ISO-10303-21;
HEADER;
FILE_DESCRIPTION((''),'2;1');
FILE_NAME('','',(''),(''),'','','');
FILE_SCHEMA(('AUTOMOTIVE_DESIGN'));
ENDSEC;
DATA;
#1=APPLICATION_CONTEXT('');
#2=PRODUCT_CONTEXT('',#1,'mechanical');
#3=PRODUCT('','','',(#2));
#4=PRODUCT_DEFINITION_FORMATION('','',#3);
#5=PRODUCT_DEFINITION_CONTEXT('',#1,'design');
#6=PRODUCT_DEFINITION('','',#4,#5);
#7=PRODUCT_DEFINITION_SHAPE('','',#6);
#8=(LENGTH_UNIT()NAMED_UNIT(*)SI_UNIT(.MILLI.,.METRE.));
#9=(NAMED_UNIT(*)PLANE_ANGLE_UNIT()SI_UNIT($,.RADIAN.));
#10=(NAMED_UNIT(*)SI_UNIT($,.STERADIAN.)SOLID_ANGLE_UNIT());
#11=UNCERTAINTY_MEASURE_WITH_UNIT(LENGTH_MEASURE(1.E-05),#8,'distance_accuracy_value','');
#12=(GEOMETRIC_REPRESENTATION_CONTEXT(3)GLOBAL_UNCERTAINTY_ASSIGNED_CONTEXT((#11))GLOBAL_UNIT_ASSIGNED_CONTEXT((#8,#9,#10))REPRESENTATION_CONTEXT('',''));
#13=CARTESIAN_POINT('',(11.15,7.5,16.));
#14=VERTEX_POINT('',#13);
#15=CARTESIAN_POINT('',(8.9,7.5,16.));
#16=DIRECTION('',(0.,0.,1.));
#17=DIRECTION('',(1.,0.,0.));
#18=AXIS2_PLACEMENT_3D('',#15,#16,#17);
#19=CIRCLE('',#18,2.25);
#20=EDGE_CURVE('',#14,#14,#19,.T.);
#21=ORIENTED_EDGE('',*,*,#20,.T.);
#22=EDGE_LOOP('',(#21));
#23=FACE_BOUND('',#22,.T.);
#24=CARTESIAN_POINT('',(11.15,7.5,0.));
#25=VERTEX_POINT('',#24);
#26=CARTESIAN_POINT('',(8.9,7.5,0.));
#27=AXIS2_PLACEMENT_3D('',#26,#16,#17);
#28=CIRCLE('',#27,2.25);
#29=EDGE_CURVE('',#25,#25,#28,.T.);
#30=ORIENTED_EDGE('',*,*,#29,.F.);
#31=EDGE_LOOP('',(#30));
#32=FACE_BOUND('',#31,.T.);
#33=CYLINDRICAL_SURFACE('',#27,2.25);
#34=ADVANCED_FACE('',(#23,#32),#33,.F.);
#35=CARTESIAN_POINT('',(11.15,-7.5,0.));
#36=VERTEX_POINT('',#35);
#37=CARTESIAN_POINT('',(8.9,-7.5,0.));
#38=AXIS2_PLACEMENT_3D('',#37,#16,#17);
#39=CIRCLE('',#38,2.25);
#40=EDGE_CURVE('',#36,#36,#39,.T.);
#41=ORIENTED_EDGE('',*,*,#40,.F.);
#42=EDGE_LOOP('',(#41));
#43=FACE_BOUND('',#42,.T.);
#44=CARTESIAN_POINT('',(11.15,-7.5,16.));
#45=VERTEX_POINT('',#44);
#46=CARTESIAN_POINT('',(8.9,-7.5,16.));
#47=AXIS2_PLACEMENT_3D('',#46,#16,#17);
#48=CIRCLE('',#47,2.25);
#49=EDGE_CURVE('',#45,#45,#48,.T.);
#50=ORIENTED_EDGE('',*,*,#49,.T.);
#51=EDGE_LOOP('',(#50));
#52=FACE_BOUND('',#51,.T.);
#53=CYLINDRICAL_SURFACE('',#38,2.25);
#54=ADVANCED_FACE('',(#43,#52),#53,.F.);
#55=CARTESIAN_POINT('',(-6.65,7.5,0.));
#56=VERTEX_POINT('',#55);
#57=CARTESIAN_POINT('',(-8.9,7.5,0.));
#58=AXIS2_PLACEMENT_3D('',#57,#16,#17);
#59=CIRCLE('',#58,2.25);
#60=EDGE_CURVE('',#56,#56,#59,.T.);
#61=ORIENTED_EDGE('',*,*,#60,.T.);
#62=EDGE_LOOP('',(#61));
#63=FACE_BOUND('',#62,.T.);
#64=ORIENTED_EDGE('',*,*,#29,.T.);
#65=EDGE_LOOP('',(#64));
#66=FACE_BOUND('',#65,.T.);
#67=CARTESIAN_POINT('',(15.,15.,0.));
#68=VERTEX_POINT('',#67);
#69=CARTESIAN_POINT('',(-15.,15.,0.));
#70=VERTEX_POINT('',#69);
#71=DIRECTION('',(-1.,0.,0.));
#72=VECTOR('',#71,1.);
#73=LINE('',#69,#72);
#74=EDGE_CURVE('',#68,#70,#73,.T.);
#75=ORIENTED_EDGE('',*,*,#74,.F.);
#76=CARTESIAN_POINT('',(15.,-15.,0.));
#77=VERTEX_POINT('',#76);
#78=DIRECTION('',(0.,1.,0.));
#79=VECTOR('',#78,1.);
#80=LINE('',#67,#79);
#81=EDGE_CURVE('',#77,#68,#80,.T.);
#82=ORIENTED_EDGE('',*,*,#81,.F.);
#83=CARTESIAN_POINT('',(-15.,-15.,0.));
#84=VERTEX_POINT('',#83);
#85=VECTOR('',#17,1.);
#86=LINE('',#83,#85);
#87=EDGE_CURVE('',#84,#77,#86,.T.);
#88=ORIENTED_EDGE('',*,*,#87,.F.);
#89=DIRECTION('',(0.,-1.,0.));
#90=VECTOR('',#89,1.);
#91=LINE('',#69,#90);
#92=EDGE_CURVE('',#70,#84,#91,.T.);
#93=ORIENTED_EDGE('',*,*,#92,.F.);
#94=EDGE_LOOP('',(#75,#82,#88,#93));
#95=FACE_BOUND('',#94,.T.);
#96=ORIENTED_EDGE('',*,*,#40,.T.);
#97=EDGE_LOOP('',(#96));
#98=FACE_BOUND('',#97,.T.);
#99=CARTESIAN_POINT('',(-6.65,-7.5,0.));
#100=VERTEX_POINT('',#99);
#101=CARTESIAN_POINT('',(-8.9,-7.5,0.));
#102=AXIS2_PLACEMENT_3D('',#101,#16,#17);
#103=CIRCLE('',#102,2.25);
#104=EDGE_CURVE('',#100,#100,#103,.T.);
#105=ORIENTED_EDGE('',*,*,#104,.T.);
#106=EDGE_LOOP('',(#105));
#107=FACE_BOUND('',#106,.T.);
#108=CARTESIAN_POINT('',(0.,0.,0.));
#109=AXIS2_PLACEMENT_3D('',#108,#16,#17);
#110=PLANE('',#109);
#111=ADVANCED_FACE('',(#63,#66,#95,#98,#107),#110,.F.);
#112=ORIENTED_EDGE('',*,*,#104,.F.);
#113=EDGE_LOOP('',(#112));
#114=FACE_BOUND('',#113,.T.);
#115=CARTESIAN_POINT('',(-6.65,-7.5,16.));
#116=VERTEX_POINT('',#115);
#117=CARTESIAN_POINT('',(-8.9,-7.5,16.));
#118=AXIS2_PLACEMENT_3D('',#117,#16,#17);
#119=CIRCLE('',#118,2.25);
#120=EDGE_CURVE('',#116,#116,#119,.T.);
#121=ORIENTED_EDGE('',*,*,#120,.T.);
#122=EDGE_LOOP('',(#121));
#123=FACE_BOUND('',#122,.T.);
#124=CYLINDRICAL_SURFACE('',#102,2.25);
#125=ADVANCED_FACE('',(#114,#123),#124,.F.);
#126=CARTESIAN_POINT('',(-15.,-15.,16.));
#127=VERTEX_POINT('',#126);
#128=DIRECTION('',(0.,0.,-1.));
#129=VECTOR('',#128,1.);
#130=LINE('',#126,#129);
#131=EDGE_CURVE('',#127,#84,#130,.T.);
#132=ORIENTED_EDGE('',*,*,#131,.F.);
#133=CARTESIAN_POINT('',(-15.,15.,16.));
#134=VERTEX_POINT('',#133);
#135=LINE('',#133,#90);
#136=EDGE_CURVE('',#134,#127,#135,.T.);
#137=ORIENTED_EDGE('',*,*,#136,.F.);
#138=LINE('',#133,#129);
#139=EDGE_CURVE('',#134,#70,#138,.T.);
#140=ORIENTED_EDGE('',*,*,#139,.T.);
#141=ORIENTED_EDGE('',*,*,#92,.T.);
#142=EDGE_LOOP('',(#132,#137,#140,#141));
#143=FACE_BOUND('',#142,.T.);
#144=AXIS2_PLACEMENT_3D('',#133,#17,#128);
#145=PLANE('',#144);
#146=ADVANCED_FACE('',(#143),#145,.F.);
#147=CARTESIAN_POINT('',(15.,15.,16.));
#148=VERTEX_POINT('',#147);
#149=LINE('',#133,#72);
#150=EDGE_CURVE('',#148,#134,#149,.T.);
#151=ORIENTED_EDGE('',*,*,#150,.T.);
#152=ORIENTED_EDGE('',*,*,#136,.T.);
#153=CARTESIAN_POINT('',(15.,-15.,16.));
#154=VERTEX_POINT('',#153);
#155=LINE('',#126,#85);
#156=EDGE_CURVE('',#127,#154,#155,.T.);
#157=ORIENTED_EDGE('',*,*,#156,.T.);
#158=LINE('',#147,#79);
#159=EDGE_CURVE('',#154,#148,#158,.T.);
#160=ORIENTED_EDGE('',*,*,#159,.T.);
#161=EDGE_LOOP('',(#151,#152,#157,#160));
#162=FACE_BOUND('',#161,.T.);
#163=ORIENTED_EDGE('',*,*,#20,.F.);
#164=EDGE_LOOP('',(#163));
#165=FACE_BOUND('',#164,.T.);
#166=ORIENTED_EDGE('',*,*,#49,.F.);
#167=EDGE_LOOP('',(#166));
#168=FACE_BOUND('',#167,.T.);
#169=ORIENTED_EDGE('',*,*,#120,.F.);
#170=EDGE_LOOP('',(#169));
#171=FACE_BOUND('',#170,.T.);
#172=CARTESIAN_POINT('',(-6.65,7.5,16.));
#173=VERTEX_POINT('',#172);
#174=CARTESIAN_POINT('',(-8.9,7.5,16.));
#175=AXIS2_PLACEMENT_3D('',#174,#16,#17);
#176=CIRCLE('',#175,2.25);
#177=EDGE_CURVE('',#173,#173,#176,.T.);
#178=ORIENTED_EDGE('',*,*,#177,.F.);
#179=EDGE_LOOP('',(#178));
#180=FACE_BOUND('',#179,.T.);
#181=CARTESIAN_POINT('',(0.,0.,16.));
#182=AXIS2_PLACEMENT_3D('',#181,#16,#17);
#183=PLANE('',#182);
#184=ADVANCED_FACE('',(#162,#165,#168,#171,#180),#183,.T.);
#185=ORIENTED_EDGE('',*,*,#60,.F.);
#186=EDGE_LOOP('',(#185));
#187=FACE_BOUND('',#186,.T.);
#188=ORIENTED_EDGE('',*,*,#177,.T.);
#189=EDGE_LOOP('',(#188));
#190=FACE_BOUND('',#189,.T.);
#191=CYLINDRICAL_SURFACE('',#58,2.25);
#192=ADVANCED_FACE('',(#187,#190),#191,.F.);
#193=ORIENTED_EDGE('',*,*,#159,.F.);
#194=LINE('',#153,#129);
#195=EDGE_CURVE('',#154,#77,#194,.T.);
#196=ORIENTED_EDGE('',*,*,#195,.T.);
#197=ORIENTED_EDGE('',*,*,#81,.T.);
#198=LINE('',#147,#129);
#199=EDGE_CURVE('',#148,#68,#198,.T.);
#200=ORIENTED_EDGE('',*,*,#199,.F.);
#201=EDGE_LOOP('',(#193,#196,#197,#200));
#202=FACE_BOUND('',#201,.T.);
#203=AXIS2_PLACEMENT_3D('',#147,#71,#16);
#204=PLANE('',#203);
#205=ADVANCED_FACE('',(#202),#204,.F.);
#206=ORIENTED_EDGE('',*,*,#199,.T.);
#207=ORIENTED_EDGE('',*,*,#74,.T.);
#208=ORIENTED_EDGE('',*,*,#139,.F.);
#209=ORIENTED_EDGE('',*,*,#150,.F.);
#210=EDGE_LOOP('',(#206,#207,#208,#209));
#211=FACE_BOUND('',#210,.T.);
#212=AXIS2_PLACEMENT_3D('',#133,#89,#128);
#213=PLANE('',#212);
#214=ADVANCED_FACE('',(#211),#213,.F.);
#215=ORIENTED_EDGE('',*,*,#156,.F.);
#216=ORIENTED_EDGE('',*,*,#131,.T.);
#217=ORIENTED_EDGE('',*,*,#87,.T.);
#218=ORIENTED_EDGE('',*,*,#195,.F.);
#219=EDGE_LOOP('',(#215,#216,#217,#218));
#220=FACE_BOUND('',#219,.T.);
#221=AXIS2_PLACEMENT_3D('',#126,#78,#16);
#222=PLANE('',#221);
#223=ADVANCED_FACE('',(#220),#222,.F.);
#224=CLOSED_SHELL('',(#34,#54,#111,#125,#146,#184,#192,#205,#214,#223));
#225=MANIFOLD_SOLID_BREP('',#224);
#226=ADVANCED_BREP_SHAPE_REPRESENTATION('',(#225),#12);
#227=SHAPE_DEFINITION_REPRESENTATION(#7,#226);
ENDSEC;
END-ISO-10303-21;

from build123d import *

# Parameters (mm, degrees)
SKETCH_1_W          = 30
SKETCH_1_H          = 30
EXTRUDE_1_DEPTH     = 16
SKETCH_4_R          = 2.25
CUT_EXTRUDE_2_DEPTH = 27.570660511


with BuildPart() as part:
    # 草图1 → 凸台-拉伸1 (new body)
    with BuildSketch(Plane.XY):
        Rectangle(SKETCH_1_W, SKETCH_1_H)
    extrude(amount=EXTRUDE_1_DEPTH)

    # 草图4 → 切除-拉伸2 (cut, through all)
    with BuildSketch(Plane.XY.offset(16)):
        with Locations((8.9, 7.5)):
            Circle(SKETCH_4_R)
        with Locations((8.9, -7.5)):
            Circle(SKETCH_4_R)
        with Locations((-8.9, 7.5)):
            Circle(SKETCH_4_R)
        with Locations((-8.9, -7.5)):
            Circle(SKETCH_4_R)
    extrude(amount=-CUT_EXTRUDE_2_DEPTH, mode=Mode.SUBTRACT)


solid = part.part
